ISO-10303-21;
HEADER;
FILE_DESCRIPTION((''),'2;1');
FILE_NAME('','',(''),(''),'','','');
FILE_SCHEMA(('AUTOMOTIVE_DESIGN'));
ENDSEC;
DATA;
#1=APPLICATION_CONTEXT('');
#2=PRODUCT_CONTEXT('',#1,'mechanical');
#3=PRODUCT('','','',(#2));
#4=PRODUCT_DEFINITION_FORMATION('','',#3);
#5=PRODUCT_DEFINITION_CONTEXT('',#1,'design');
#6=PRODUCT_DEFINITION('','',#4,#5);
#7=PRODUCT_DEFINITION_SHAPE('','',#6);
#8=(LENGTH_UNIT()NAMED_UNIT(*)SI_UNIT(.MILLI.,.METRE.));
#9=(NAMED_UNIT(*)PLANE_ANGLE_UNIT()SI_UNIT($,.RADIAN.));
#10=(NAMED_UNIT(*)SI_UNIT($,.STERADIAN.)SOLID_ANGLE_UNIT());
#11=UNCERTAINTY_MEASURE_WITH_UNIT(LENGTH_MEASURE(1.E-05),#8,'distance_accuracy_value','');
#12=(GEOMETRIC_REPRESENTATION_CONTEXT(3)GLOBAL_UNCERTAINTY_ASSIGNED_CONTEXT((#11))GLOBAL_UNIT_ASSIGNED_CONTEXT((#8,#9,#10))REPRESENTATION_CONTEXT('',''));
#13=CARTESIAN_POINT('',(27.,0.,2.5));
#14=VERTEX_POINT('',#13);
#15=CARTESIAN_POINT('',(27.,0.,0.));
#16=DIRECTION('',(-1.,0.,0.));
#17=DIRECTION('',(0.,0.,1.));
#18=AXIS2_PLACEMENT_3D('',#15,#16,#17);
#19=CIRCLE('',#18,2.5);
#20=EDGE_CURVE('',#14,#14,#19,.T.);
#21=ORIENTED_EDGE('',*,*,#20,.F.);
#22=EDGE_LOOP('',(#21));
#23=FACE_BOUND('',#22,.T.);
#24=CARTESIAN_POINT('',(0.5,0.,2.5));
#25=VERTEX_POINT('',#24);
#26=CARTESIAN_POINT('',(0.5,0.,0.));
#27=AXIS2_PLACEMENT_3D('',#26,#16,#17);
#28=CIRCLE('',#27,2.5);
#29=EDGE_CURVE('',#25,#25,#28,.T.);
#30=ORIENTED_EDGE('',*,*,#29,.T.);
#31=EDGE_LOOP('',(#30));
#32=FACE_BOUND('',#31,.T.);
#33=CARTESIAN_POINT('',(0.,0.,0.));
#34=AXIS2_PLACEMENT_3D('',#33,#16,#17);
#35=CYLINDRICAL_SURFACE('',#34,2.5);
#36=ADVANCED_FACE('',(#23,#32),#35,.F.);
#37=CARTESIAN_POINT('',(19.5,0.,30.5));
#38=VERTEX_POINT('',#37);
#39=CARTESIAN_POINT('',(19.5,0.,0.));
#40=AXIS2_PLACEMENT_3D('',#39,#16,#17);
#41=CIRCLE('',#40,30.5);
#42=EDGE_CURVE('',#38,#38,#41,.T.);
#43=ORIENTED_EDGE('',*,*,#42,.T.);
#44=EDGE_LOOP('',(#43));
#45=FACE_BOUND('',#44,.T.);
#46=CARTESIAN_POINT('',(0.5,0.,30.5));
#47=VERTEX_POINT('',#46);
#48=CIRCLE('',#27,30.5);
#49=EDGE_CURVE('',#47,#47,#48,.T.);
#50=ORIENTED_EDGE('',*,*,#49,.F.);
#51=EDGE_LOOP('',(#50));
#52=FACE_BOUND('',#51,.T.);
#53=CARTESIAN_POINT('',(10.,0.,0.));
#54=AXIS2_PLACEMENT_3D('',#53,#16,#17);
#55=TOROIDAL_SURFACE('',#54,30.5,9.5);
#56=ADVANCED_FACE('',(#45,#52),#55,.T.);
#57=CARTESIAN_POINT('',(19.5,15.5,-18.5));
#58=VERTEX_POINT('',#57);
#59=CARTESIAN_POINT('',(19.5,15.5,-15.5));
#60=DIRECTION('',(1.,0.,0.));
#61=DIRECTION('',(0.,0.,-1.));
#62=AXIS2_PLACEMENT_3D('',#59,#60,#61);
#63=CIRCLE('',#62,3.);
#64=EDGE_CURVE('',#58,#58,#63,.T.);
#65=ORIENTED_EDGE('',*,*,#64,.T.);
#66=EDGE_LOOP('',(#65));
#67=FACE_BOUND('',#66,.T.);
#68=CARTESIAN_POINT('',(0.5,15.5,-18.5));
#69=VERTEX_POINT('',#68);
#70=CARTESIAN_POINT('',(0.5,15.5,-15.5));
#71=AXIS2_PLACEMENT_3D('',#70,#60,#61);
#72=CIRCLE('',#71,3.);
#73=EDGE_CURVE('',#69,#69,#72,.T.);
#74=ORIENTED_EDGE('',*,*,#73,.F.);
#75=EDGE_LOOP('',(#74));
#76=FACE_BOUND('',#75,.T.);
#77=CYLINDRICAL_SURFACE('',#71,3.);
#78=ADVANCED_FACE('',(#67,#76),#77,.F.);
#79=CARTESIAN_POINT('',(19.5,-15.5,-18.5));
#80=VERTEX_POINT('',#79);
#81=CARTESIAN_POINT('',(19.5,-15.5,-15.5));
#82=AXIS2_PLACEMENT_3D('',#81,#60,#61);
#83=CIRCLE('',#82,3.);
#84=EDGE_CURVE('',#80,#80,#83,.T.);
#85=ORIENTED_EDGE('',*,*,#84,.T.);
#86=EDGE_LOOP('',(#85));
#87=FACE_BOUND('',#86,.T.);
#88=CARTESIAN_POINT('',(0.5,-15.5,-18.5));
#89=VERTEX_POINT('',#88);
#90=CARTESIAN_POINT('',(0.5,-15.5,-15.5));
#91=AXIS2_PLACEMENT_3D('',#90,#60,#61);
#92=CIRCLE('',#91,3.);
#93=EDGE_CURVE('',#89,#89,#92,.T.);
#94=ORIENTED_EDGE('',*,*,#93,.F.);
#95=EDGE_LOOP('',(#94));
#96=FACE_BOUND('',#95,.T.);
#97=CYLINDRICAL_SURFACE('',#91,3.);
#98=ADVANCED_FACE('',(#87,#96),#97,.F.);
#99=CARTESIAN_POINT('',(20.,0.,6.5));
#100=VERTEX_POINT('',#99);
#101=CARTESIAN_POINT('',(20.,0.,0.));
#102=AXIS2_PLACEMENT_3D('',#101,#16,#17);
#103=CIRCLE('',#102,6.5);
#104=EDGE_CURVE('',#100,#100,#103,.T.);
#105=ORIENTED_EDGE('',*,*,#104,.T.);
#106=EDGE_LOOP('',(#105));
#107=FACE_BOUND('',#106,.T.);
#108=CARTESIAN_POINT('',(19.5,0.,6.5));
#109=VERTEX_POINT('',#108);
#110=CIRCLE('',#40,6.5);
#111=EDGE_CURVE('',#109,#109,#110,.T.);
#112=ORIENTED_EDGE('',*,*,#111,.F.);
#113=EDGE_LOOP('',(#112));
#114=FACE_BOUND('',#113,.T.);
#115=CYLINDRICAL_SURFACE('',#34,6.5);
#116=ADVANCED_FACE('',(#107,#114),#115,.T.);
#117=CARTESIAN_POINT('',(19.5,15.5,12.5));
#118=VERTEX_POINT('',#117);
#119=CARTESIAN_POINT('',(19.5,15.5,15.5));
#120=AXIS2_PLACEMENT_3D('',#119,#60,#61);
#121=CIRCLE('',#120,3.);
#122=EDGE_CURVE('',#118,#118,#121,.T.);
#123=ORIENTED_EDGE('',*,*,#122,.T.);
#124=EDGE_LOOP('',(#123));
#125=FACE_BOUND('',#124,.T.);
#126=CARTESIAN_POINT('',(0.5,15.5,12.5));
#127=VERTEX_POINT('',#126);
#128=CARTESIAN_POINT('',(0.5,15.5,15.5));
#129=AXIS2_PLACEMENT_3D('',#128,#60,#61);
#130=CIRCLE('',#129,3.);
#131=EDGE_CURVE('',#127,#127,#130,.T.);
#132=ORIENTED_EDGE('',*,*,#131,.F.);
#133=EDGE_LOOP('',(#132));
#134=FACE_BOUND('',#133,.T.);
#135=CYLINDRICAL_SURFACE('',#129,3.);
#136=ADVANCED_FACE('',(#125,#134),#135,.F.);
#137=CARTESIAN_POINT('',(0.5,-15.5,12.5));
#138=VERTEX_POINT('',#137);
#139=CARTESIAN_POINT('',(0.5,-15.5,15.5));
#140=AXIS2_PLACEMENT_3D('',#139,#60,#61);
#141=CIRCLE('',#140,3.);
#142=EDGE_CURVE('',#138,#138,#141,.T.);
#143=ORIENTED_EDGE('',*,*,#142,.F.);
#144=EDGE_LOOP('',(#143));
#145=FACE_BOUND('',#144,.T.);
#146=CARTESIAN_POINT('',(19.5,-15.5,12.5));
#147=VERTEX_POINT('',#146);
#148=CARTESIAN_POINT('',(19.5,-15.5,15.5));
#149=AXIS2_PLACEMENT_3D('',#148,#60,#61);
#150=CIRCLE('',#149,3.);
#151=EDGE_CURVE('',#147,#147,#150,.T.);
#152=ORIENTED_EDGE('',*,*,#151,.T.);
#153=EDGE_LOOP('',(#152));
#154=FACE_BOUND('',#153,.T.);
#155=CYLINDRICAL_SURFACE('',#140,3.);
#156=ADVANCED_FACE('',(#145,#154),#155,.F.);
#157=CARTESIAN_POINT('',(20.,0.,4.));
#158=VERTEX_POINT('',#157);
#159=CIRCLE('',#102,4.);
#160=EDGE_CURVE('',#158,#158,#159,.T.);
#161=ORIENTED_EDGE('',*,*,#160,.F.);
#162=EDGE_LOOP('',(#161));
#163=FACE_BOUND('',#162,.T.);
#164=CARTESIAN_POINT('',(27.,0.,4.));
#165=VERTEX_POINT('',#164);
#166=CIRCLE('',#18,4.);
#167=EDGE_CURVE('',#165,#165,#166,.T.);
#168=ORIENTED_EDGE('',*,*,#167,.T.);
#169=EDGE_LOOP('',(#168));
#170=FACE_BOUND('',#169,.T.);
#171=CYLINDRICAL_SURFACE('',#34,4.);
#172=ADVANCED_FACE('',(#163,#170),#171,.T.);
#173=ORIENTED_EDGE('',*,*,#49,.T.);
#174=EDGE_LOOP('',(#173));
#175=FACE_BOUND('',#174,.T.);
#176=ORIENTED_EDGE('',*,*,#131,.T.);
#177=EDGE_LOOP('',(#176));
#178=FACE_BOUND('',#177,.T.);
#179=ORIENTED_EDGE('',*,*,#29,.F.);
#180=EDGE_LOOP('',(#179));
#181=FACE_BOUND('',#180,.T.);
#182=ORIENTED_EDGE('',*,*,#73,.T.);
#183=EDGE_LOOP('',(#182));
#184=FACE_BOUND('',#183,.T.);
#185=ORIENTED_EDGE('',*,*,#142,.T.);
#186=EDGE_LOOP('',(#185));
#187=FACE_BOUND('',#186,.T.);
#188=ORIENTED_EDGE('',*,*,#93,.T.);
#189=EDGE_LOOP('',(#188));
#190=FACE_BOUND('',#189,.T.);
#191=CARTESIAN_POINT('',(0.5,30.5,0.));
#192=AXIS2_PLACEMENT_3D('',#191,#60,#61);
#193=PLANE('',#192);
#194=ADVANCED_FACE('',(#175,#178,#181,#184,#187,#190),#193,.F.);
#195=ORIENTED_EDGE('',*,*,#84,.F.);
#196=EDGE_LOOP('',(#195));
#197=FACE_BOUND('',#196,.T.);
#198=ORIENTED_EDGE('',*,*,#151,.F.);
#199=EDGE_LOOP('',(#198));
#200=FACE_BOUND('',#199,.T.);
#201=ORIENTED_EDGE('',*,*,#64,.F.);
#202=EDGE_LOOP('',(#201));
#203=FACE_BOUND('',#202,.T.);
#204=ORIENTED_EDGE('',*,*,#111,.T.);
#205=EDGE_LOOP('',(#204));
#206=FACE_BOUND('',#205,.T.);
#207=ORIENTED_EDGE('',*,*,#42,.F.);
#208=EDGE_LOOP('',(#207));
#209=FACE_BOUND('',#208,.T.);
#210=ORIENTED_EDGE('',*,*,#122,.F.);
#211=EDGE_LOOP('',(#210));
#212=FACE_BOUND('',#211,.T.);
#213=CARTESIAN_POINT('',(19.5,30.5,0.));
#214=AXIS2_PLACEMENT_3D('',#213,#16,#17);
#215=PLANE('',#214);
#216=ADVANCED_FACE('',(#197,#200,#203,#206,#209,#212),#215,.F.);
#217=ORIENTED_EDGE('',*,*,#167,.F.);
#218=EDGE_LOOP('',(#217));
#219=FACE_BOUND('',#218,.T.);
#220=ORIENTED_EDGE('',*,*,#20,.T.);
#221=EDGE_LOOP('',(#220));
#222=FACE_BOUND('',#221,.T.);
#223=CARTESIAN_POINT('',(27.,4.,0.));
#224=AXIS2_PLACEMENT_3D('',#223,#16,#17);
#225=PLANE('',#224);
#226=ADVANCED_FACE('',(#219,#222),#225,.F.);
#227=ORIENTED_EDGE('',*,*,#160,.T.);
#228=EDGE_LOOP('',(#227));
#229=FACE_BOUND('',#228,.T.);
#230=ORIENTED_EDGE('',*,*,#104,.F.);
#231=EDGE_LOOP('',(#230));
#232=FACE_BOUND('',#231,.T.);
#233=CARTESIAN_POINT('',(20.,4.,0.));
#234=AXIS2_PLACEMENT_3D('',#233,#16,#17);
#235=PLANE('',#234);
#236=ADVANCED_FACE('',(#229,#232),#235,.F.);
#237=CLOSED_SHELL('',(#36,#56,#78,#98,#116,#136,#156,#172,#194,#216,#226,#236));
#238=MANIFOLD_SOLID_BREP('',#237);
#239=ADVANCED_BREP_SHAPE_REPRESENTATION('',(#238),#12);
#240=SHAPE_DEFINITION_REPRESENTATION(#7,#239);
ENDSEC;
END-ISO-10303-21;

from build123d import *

# Parameters (mm, degrees)
SKETCH2_R          = 3
CUT_EXTRUDE1_DEPTH = 60.674115125


with BuildPart() as part:
    # Sketch1 → Revolve1 (revolve)
    with BuildSketch(Plane.XY, mode=Mode.PRIVATE) as revolve1_sk:
        with BuildLine():
            Line((27, 4), (27, 2.5))
            Line((27, 2.5), (20, 2.5))
            Line((20, 2.5), (0.5, 2.5))
            Line((0.5, 2.5), (0.5, 30.5))
            ThreePointArc((0.5, 30.5), (10, 40), (19.5, 30.5))
            Line((19.5, 30.5), (19.5, 6.5))
            Line((19.5, 6.5), (20, 6.5))
            Line((20, 6.5), (20, 4))
            Line((20, 4), (27, 4))
        make_face()
    revolve(revolve1_sk.sketch.rotate(Axis((0, 0, 0), (1, 0, 0)), 90), axis=Axis((0, 0, 0), (1, 0, 0)))

    # Sketch2 → Cut-Extrude1 (cut, through all)
    with BuildSketch(Plane(origin=(19.5, 0, 0), x_dir=(0, 0, -1), z_dir=(1, 0, 0))):
        with Locations((-15.5, 15.5)):
            Circle(SKETCH2_R)
        with Locations((15.5, 15.5)):
            Circle(SKETCH2_R)
        with Locations((15.5, -15.5)):
            Circle(SKETCH2_R)
        with Locations((-15.5, -15.5)):
            Circle(SKETCH2_R)
    extrude(amount=-CUT_EXTRUDE1_DEPTH, mode=Mode.SUBTRACT)


solid = part.part
